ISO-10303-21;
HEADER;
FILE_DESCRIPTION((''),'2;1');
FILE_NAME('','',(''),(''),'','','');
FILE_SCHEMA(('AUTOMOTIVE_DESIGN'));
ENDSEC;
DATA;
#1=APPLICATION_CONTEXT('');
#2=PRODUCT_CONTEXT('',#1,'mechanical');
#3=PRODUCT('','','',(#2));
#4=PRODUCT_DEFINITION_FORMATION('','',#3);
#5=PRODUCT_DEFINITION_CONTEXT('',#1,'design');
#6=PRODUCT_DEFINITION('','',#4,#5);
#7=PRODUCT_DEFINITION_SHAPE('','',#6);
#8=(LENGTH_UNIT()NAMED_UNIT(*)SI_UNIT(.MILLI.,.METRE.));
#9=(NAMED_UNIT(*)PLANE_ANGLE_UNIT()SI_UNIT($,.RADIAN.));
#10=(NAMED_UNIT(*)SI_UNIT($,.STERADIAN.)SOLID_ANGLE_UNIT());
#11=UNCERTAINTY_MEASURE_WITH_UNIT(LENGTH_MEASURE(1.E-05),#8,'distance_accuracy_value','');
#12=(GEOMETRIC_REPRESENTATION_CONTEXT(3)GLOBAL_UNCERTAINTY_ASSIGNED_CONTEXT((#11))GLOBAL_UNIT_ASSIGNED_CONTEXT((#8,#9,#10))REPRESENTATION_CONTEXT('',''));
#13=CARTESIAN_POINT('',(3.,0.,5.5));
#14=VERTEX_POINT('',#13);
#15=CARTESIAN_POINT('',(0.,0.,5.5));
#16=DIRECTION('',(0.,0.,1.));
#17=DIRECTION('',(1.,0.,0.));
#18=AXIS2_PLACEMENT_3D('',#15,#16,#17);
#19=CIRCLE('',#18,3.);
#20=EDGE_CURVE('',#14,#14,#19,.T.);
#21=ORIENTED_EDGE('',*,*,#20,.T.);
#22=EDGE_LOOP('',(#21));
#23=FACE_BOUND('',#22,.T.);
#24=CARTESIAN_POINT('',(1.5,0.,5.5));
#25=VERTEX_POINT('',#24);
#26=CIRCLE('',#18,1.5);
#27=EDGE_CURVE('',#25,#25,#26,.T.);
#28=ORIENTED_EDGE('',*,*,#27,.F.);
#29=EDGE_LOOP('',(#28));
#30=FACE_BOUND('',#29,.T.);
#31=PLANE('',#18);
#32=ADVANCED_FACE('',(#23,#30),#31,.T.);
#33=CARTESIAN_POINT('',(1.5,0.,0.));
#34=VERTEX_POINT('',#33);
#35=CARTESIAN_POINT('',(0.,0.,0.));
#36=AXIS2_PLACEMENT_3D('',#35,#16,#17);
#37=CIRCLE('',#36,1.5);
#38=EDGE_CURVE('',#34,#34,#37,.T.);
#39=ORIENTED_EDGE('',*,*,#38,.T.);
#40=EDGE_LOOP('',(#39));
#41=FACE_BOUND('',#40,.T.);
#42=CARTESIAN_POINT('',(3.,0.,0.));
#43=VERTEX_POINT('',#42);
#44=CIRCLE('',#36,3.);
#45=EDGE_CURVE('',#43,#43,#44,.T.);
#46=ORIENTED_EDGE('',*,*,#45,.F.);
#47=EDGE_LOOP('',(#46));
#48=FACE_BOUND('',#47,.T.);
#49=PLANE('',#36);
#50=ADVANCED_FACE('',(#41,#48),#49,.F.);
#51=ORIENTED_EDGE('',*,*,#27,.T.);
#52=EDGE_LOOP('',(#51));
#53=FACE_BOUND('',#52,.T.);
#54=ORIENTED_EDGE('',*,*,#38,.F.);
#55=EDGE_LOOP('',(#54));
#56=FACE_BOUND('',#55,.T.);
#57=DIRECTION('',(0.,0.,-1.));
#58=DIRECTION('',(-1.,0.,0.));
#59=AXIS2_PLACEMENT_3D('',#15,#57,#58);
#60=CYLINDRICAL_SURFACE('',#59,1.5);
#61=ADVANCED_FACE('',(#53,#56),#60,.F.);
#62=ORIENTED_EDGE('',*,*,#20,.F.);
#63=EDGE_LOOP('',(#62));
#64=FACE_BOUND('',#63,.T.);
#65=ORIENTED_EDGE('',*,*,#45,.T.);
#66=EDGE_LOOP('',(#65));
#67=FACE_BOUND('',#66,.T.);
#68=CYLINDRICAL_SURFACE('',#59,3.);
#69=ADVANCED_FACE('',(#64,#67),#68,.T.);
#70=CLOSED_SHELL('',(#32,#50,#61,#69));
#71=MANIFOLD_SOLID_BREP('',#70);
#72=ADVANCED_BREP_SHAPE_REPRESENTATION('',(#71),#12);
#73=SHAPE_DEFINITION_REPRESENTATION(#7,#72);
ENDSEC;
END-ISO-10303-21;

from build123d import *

# Parameters (mm, degrees)
SKETCH_1_5_R    = 3
SKETCH_1_5_R_2  = 1.5
EXTRUDE_4_DEPTH = 5.5


with BuildPart() as part:
    # 草图1<5> → 凸台-拉伸4 (new body)
    with BuildSketch(Plane.XY):
        Circle(SKETCH_1_5_R)
        Circle(SKETCH_1_5_R_2, mode=Mode.SUBTRACT)
    extrude(amount=EXTRUDE_4_DEPTH)


solid = part.part
